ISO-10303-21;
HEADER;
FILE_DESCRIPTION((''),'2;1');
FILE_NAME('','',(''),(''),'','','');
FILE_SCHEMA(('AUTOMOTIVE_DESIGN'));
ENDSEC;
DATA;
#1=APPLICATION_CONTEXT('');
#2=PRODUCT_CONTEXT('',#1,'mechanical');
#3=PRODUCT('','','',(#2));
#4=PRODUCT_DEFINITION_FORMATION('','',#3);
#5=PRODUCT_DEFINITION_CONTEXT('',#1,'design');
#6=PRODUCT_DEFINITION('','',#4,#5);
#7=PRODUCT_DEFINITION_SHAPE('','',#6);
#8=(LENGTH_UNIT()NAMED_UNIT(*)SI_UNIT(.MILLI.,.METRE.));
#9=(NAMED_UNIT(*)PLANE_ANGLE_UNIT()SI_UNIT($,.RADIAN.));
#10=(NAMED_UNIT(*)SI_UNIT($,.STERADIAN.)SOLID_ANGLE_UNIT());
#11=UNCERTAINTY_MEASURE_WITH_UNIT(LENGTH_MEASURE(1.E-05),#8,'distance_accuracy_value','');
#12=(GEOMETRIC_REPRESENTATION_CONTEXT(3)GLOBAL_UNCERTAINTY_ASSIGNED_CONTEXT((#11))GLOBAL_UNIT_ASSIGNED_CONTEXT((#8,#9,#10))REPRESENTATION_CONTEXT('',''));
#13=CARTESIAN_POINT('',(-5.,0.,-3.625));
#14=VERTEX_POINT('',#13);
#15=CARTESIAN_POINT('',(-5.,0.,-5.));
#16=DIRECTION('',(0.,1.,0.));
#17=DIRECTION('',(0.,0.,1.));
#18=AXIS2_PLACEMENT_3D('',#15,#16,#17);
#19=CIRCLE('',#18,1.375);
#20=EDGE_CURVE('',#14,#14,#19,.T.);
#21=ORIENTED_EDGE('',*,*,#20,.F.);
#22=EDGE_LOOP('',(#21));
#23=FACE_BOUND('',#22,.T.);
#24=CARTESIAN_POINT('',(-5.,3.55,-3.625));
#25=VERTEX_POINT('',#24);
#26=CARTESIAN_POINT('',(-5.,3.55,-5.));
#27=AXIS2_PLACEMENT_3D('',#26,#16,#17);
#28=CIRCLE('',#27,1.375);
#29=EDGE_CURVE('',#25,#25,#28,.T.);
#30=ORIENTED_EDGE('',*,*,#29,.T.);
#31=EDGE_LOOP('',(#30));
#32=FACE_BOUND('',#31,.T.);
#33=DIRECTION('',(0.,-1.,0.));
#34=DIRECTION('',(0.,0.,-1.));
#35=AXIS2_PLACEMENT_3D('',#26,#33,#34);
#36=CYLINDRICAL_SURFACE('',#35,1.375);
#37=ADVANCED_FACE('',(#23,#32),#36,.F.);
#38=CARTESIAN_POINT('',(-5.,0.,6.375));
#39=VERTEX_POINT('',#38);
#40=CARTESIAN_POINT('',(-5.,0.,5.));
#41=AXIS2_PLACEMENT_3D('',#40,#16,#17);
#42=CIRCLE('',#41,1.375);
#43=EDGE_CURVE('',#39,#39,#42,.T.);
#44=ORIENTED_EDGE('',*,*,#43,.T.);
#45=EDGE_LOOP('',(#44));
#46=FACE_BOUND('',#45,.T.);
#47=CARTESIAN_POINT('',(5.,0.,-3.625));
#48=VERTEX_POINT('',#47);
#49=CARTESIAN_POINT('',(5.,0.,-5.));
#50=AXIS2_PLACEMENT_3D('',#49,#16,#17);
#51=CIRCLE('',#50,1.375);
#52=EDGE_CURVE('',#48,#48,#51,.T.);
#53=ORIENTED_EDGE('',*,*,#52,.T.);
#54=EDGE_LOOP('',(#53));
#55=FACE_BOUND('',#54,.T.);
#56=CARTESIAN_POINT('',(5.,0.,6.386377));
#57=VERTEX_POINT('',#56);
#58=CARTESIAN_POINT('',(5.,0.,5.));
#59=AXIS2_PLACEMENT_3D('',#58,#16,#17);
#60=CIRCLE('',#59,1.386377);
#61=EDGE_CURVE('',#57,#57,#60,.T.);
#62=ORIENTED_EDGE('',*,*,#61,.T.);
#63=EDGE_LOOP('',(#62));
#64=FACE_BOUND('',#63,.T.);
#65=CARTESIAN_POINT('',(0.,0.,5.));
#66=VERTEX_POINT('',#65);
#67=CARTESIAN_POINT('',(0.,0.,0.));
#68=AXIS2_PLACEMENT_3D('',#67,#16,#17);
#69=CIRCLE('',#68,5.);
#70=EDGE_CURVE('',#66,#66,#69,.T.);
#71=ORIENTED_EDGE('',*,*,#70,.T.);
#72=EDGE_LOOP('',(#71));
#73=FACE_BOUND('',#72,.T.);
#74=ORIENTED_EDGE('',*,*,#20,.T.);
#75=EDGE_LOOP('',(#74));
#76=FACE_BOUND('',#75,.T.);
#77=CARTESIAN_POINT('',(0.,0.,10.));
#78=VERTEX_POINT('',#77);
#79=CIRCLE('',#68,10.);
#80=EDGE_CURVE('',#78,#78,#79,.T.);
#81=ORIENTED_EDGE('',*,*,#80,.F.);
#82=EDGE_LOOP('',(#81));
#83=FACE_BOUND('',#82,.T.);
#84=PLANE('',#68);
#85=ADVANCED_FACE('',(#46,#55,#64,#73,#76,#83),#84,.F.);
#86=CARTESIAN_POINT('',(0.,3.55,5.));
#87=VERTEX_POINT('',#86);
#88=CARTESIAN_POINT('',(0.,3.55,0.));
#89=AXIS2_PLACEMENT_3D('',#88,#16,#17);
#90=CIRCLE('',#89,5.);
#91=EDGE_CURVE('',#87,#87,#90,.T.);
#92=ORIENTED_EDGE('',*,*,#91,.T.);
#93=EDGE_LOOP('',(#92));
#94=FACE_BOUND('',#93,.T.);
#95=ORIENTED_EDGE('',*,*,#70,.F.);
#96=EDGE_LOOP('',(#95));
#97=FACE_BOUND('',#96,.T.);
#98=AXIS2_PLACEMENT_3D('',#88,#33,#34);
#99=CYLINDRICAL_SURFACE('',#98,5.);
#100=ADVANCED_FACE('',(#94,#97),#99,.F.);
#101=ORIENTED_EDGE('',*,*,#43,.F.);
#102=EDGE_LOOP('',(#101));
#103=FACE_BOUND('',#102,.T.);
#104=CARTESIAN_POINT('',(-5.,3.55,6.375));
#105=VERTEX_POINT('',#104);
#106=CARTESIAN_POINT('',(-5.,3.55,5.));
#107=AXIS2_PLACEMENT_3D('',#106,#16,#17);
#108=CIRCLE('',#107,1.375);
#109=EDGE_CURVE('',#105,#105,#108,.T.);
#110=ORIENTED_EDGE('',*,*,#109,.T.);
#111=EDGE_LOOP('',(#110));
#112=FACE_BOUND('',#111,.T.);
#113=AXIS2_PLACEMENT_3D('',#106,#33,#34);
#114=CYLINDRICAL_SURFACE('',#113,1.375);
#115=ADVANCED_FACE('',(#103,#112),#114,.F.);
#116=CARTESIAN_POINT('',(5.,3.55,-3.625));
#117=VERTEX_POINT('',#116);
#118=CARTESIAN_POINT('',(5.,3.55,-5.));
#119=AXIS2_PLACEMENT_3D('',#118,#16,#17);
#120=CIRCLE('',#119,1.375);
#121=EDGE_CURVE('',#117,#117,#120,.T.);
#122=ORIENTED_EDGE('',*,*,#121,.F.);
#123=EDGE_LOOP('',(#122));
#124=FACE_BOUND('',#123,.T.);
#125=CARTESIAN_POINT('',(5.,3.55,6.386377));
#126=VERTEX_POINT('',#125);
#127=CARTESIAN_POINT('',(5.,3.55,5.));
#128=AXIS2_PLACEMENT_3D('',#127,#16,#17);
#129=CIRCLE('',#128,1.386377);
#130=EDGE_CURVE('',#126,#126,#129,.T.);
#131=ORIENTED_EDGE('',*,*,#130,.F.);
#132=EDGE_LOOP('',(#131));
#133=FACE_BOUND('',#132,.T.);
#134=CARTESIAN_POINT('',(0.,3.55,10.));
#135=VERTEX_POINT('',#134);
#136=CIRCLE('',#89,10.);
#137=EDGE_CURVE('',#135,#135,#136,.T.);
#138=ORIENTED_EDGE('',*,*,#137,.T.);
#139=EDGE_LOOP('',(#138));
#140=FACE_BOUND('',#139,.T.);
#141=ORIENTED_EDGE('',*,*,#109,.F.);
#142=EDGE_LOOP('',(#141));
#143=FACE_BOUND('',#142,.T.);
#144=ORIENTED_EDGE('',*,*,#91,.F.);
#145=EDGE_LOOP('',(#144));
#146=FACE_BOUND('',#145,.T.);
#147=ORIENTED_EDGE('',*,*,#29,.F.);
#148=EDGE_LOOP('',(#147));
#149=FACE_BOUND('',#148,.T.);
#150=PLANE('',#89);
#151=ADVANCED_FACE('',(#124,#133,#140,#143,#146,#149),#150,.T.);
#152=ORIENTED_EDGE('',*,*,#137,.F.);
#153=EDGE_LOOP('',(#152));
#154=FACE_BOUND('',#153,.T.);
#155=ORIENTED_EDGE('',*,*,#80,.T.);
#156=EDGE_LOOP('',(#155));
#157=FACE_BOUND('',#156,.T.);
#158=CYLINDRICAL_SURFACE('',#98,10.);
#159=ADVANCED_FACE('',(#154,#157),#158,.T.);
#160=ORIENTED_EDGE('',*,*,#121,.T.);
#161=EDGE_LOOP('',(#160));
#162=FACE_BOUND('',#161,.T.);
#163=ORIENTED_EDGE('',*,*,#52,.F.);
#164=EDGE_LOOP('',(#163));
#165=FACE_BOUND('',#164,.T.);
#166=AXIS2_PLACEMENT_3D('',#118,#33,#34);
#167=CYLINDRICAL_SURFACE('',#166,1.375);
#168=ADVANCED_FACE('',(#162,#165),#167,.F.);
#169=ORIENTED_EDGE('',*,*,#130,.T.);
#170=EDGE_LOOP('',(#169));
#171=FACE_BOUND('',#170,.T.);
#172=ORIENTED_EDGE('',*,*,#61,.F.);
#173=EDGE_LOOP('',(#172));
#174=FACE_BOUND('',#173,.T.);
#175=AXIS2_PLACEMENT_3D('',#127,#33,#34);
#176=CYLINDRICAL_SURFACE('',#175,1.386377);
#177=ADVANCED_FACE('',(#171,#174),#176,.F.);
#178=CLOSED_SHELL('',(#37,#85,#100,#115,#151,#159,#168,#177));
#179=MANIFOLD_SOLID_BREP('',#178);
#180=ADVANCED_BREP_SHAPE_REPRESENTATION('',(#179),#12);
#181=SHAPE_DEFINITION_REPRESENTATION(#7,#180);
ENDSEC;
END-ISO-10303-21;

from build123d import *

# Parameters (mm, degrees)
SKETCH1_R           = 10
SKETCH1_R_2         = 5
SKETCH1_R_3         = 1.375
SKETCH1_R_4         = 1.386376747
BOSS_EXTRUDE1_DEPTH = 3.55


with BuildPart() as part:
    # Sketch1 → Boss-Extrude1 (new body)
    with BuildSketch(Plane(origin=(0, 0, 0), x_dir=(1, 0, 0), z_dir=(0, 1, 0))):
        with Locations(Location((0, 0, 0), (0, 0, 270))):
            Circle(SKETCH1_R)
        with Locations(Location((0, 0, 0), (0, 0, 270))):
            Circle(SKETCH1_R_2, mode=Mode.SUBTRACT)
        with Locations(Location((-5, -5, 0), (0, 0, 270))):
            Circle(SKETCH1_R_3, mode=Mode.SUBTRACT)
        with Locations(Location((5, -5, 0), (0, 0, 270))):
            Circle(SKETCH1_R_4, mode=Mode.SUBTRACT)
        with Locations(Location((5, 5, 0), (0, 0, 270))):
            Circle(SKETCH1_R_3, mode=Mode.SUBTRACT)
        with Locations(Location((-5, 5, 0), (0, 0, 270))):
            Circle(SKETCH1_R_3, mode=Mode.SUBTRACT)
    extrude(amount=BOSS_EXTRUDE1_DEPTH)


solid = part.part
